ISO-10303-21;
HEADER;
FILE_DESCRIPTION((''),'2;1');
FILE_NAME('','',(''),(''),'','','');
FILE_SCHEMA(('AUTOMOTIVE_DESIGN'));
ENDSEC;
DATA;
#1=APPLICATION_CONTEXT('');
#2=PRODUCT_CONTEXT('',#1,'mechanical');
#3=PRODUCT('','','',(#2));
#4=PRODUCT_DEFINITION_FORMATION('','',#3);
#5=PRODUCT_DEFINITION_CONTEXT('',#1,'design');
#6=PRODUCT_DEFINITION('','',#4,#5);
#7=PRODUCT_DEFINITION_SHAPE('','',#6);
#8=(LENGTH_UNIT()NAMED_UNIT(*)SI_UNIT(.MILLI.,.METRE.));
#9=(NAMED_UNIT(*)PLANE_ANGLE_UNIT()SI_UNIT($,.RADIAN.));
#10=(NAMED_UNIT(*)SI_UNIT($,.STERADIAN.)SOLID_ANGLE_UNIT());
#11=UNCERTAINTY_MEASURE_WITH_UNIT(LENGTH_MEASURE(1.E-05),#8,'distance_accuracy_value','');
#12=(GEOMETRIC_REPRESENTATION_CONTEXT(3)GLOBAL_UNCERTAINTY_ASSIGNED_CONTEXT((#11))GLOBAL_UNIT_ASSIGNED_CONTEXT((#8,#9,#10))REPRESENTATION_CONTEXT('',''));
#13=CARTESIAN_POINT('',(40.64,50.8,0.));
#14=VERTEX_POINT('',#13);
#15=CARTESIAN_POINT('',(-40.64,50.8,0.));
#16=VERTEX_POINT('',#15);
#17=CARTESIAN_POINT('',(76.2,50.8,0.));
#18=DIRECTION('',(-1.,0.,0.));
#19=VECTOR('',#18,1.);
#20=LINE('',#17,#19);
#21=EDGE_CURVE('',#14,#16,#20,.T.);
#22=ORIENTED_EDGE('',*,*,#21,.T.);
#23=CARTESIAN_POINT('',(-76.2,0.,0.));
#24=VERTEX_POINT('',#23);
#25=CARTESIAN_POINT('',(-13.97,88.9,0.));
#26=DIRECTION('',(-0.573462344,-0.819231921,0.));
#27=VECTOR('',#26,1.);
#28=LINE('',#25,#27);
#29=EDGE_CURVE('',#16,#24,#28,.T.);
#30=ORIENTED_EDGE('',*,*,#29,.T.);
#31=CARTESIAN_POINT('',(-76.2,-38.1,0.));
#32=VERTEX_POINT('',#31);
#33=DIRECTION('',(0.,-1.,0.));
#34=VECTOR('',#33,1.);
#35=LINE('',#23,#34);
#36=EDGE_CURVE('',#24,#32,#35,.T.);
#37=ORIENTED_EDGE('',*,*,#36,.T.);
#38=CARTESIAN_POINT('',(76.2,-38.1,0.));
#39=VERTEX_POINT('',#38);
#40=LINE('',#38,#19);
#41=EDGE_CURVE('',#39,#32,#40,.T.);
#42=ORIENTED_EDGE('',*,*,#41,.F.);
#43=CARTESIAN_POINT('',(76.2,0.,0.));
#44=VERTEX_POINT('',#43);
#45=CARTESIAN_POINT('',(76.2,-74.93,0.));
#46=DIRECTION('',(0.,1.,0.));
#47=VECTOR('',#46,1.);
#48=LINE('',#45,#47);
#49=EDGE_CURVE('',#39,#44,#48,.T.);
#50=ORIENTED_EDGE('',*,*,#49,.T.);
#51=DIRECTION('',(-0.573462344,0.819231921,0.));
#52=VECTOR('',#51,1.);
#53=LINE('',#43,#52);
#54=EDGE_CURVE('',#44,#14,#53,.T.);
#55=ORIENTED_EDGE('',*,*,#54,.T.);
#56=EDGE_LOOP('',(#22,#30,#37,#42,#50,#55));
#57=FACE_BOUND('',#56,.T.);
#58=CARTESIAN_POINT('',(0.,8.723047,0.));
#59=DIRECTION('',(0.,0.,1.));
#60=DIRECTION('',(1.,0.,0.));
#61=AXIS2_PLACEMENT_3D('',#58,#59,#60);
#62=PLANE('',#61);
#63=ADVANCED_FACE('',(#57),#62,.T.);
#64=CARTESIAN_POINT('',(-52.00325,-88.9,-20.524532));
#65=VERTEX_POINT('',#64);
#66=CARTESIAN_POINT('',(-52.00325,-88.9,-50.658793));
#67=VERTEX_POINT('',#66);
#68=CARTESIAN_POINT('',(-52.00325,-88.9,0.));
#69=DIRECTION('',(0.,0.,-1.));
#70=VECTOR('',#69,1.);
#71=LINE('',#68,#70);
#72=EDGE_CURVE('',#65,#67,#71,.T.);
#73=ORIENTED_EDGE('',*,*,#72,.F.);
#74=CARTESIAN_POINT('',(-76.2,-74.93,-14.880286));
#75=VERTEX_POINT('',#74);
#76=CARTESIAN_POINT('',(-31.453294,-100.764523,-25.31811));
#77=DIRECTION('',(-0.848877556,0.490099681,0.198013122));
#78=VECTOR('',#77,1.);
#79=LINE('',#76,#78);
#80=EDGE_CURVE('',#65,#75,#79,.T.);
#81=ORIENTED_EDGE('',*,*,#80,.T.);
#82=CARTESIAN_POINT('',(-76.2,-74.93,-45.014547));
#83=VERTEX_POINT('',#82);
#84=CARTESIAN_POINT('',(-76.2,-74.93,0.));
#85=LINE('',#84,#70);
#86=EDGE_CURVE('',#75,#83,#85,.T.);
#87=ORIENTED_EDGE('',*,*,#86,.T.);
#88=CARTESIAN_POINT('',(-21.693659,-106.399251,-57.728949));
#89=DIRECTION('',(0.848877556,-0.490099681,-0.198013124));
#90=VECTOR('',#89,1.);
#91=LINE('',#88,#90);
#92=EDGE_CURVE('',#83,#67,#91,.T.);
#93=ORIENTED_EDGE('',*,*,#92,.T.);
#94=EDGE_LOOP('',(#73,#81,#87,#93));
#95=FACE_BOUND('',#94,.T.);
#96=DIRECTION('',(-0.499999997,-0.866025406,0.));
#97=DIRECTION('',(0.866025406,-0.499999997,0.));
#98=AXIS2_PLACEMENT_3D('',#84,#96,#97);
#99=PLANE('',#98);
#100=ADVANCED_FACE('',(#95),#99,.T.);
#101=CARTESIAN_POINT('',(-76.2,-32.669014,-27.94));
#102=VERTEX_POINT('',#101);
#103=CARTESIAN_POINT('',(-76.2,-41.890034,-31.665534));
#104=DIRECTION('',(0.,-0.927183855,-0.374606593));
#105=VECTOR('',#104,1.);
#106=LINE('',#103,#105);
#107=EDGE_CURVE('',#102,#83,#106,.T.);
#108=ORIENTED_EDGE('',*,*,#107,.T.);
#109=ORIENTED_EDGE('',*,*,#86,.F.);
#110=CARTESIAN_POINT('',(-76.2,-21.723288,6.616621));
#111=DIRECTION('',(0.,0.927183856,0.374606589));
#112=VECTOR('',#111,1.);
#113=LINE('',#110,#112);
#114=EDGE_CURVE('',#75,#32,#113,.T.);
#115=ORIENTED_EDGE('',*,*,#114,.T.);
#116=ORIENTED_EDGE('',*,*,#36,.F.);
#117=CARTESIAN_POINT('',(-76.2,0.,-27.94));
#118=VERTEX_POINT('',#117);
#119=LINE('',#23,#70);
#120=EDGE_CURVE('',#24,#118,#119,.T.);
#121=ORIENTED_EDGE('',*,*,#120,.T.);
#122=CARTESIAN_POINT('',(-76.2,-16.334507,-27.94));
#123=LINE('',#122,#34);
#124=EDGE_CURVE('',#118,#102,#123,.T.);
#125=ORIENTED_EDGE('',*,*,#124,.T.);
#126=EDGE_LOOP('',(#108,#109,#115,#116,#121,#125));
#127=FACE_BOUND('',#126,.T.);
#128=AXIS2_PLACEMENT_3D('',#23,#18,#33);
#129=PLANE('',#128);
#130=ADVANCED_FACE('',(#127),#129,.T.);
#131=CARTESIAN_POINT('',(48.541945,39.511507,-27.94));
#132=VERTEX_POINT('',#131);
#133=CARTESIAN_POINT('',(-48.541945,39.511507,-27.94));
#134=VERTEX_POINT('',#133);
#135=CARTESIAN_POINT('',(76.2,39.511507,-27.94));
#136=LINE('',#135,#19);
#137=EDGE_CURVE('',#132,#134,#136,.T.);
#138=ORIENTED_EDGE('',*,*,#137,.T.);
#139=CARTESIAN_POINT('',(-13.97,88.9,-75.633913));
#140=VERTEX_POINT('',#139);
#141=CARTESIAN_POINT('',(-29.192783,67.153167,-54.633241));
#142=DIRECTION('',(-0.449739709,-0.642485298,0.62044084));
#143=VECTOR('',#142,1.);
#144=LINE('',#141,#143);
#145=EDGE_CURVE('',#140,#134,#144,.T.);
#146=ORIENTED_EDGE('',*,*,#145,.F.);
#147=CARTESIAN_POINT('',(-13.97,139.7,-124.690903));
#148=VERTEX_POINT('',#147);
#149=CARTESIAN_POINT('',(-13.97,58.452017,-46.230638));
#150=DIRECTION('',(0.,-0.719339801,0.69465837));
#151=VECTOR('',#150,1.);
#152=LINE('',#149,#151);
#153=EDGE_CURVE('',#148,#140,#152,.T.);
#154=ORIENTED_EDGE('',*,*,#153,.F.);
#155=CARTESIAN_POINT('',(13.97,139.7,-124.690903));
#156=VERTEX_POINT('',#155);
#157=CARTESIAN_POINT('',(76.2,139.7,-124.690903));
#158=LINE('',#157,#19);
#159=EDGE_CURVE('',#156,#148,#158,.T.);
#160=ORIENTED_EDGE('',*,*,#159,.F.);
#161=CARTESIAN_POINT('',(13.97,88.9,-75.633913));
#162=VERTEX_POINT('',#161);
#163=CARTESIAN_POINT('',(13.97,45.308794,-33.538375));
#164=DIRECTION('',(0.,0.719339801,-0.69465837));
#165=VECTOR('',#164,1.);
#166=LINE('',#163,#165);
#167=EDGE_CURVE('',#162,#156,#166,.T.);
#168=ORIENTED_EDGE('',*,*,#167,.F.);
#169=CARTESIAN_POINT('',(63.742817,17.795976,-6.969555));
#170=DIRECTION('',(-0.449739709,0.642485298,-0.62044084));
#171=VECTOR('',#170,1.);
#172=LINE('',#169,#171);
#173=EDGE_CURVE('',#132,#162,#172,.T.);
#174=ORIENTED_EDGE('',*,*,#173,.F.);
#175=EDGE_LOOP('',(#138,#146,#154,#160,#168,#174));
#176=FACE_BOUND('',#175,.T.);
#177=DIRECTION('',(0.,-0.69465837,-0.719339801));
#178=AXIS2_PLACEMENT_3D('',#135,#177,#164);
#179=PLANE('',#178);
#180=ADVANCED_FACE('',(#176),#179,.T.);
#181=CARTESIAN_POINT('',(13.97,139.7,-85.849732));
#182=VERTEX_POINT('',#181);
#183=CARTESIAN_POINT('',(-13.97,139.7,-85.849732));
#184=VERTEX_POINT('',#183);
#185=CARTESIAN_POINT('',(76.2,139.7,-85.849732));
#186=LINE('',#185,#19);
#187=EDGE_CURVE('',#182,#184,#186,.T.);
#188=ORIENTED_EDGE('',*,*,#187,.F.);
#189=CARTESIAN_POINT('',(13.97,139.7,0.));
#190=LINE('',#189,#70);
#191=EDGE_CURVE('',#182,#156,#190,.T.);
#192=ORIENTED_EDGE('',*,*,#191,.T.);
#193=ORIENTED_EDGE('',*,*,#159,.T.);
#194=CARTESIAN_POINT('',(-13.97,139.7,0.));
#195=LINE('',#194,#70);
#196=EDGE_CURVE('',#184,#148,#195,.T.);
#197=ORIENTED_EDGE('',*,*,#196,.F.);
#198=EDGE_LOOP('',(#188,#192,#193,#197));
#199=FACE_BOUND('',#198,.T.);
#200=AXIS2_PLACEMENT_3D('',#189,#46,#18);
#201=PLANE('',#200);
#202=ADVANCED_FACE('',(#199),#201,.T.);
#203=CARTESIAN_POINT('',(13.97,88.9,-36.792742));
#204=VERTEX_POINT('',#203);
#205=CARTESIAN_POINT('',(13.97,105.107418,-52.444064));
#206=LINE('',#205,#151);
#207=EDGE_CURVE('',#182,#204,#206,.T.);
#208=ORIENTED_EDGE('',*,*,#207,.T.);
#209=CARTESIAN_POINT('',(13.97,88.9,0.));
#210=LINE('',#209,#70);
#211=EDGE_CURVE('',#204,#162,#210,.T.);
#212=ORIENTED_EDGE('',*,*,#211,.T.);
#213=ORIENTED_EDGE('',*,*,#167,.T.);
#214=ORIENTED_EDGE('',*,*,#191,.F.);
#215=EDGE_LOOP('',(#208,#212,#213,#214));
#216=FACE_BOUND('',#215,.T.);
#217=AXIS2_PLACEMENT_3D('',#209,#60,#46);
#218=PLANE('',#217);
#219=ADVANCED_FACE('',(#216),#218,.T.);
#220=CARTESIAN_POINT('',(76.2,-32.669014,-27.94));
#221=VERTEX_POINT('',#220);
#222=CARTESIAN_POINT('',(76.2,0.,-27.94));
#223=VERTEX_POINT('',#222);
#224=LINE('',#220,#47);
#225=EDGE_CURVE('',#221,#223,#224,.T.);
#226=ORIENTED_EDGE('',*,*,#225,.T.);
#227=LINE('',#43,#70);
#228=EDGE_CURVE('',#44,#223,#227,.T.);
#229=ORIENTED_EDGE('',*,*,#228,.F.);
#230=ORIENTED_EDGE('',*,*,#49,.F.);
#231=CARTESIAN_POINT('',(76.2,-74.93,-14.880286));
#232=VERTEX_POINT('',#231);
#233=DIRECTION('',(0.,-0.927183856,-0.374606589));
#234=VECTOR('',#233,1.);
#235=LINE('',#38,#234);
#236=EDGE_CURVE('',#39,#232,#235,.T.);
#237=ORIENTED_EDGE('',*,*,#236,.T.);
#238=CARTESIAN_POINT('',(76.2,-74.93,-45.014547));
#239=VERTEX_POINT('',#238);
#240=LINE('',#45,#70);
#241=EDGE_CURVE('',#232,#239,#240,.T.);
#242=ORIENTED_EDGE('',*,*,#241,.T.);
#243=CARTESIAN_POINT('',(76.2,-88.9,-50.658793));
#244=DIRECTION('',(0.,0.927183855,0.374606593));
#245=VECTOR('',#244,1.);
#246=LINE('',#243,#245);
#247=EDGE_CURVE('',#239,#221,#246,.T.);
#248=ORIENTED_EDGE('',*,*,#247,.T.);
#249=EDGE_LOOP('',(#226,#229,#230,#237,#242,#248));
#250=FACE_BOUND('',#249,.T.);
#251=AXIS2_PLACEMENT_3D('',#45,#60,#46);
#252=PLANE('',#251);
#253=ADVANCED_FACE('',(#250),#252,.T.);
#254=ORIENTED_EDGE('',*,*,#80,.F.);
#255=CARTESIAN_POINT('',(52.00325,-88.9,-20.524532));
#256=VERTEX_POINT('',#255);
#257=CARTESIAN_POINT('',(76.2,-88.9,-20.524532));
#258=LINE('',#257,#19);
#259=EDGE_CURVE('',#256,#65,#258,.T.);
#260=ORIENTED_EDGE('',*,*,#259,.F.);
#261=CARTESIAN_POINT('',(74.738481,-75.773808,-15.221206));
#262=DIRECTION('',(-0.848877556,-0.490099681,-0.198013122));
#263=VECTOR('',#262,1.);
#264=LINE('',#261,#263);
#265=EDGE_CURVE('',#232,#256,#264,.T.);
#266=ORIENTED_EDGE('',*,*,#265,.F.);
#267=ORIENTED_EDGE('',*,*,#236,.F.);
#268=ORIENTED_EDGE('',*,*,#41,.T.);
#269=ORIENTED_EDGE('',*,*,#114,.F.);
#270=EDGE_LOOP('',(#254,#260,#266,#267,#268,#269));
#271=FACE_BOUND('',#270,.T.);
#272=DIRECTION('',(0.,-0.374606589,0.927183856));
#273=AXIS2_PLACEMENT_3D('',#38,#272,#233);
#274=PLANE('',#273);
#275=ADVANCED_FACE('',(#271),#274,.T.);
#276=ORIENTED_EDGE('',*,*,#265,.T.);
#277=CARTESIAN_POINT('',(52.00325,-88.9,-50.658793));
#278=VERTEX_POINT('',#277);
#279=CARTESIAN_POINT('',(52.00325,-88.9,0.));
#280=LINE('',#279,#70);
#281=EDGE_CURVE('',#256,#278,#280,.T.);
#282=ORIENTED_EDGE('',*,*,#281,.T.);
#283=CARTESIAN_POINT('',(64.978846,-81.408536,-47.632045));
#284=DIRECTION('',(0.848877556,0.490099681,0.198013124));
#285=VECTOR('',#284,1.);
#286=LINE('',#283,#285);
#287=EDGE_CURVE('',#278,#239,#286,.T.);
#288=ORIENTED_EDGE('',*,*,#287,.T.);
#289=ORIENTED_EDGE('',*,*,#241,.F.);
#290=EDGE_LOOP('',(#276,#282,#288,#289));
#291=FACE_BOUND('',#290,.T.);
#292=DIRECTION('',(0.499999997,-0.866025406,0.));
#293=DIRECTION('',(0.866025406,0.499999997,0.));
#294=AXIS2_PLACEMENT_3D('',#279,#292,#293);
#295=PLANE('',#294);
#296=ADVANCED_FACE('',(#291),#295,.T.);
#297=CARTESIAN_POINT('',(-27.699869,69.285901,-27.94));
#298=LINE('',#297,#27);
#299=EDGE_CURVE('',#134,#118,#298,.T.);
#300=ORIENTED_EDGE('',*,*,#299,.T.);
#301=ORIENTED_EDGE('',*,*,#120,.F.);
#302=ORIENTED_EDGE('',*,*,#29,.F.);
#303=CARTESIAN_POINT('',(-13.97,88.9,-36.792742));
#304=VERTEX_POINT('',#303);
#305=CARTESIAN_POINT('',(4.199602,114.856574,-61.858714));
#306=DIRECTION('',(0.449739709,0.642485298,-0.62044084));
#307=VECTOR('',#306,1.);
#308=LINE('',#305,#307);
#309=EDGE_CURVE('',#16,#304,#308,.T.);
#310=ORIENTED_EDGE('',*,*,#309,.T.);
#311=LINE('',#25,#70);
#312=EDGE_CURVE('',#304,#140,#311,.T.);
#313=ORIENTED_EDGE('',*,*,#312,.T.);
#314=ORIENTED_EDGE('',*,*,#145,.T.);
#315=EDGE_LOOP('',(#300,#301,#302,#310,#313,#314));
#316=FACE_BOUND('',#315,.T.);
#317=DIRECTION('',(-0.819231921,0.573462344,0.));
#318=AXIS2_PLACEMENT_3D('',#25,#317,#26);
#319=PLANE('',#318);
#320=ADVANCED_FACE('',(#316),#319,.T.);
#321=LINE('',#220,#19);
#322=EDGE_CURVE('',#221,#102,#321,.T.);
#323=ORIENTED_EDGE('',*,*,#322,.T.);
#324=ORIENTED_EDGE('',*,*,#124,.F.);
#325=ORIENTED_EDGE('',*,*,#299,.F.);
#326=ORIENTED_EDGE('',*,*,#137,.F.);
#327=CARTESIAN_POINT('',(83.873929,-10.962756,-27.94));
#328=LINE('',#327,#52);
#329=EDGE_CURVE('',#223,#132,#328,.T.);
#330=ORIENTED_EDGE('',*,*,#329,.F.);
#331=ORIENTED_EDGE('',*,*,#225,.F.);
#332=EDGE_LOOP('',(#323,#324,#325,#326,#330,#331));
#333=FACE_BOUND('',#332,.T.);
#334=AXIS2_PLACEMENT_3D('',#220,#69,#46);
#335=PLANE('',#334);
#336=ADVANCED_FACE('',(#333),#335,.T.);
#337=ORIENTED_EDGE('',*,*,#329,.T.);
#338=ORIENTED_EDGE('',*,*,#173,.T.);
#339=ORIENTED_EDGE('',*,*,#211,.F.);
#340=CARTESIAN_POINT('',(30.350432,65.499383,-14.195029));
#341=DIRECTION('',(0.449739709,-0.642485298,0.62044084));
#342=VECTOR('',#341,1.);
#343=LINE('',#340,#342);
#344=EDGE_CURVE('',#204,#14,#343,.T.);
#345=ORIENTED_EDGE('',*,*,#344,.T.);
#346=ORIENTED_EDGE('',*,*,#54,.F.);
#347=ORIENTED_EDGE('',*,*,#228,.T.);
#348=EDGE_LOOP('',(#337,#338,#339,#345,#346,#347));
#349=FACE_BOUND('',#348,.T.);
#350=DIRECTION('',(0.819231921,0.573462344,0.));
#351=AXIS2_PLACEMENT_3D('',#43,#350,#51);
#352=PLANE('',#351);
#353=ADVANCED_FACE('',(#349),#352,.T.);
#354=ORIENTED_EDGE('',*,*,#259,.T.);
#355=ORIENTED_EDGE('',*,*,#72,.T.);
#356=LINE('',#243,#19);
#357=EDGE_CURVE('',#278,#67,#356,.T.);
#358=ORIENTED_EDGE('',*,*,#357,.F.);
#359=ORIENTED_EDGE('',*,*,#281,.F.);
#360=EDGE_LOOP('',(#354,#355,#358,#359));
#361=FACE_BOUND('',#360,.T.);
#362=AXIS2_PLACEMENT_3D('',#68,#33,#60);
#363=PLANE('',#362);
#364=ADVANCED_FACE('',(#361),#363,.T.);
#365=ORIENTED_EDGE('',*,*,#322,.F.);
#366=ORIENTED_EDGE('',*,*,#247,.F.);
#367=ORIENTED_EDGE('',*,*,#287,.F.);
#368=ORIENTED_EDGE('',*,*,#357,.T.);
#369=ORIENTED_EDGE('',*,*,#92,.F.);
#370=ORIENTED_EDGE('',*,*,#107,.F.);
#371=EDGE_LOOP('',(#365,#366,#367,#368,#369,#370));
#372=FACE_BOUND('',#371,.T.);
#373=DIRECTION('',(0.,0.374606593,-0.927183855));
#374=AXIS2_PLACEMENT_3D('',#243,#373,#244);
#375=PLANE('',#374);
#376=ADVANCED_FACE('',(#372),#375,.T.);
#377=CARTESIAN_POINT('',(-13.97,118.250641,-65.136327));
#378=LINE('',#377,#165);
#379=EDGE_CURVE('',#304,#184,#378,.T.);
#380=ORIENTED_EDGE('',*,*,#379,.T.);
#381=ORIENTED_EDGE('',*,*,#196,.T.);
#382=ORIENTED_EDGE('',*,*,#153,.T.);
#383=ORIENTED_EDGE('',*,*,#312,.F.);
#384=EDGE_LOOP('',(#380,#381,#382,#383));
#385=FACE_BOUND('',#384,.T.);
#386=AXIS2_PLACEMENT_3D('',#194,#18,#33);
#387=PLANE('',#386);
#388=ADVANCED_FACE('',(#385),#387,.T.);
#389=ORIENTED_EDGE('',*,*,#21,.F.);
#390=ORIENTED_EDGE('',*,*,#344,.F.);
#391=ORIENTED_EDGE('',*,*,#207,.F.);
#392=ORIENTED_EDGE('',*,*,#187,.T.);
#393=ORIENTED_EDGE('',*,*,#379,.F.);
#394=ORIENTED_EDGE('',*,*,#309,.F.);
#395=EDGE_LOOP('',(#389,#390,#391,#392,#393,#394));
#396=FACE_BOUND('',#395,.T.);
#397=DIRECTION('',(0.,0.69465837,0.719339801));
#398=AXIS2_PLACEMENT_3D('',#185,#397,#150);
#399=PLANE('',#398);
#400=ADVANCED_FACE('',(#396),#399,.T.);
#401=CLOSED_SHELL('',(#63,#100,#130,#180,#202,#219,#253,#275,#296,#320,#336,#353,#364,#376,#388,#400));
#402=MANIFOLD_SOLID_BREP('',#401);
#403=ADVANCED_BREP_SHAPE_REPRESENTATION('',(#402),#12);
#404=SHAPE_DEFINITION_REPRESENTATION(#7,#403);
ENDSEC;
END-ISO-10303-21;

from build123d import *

# Parameters (mm, degrees)
F1_DEPTH = 127
F3_DEPTH = 152.401


with BuildPart() as f1:
    # F0 (on Top) → F1 (new body)
    with BuildSketch(Plane.XY):
        Polygon((76.2, 0), (13.97, 88.9), (13.97, 139.7), (-13.97, 139.7), (-13.97, 88.9), (-76.2, 0), (-76.2, -74.93), (-52.00325, -88.9), (52.00325, -88.9), (76.2, -74.93), align=None)
    extrude(amount=-F1_DEPTH)

    # F2 (on face) → F3 (intersect, through all)
    with BuildSketch(Plane.YZ.offset(76.2)):
        Polygon((50.8, 0), (0, 0), (-38.1, 0), (-88.9, -20.524532), (-88.9, -50.658793), (-32.669014, -27.94), (39.511507, -27.94), (139.7, -124.690903), (139.7, -85.849732), align=None)
    extrude(amount=-F3_DEPTH, mode=Mode.INTERSECT)


solid = f1.part
